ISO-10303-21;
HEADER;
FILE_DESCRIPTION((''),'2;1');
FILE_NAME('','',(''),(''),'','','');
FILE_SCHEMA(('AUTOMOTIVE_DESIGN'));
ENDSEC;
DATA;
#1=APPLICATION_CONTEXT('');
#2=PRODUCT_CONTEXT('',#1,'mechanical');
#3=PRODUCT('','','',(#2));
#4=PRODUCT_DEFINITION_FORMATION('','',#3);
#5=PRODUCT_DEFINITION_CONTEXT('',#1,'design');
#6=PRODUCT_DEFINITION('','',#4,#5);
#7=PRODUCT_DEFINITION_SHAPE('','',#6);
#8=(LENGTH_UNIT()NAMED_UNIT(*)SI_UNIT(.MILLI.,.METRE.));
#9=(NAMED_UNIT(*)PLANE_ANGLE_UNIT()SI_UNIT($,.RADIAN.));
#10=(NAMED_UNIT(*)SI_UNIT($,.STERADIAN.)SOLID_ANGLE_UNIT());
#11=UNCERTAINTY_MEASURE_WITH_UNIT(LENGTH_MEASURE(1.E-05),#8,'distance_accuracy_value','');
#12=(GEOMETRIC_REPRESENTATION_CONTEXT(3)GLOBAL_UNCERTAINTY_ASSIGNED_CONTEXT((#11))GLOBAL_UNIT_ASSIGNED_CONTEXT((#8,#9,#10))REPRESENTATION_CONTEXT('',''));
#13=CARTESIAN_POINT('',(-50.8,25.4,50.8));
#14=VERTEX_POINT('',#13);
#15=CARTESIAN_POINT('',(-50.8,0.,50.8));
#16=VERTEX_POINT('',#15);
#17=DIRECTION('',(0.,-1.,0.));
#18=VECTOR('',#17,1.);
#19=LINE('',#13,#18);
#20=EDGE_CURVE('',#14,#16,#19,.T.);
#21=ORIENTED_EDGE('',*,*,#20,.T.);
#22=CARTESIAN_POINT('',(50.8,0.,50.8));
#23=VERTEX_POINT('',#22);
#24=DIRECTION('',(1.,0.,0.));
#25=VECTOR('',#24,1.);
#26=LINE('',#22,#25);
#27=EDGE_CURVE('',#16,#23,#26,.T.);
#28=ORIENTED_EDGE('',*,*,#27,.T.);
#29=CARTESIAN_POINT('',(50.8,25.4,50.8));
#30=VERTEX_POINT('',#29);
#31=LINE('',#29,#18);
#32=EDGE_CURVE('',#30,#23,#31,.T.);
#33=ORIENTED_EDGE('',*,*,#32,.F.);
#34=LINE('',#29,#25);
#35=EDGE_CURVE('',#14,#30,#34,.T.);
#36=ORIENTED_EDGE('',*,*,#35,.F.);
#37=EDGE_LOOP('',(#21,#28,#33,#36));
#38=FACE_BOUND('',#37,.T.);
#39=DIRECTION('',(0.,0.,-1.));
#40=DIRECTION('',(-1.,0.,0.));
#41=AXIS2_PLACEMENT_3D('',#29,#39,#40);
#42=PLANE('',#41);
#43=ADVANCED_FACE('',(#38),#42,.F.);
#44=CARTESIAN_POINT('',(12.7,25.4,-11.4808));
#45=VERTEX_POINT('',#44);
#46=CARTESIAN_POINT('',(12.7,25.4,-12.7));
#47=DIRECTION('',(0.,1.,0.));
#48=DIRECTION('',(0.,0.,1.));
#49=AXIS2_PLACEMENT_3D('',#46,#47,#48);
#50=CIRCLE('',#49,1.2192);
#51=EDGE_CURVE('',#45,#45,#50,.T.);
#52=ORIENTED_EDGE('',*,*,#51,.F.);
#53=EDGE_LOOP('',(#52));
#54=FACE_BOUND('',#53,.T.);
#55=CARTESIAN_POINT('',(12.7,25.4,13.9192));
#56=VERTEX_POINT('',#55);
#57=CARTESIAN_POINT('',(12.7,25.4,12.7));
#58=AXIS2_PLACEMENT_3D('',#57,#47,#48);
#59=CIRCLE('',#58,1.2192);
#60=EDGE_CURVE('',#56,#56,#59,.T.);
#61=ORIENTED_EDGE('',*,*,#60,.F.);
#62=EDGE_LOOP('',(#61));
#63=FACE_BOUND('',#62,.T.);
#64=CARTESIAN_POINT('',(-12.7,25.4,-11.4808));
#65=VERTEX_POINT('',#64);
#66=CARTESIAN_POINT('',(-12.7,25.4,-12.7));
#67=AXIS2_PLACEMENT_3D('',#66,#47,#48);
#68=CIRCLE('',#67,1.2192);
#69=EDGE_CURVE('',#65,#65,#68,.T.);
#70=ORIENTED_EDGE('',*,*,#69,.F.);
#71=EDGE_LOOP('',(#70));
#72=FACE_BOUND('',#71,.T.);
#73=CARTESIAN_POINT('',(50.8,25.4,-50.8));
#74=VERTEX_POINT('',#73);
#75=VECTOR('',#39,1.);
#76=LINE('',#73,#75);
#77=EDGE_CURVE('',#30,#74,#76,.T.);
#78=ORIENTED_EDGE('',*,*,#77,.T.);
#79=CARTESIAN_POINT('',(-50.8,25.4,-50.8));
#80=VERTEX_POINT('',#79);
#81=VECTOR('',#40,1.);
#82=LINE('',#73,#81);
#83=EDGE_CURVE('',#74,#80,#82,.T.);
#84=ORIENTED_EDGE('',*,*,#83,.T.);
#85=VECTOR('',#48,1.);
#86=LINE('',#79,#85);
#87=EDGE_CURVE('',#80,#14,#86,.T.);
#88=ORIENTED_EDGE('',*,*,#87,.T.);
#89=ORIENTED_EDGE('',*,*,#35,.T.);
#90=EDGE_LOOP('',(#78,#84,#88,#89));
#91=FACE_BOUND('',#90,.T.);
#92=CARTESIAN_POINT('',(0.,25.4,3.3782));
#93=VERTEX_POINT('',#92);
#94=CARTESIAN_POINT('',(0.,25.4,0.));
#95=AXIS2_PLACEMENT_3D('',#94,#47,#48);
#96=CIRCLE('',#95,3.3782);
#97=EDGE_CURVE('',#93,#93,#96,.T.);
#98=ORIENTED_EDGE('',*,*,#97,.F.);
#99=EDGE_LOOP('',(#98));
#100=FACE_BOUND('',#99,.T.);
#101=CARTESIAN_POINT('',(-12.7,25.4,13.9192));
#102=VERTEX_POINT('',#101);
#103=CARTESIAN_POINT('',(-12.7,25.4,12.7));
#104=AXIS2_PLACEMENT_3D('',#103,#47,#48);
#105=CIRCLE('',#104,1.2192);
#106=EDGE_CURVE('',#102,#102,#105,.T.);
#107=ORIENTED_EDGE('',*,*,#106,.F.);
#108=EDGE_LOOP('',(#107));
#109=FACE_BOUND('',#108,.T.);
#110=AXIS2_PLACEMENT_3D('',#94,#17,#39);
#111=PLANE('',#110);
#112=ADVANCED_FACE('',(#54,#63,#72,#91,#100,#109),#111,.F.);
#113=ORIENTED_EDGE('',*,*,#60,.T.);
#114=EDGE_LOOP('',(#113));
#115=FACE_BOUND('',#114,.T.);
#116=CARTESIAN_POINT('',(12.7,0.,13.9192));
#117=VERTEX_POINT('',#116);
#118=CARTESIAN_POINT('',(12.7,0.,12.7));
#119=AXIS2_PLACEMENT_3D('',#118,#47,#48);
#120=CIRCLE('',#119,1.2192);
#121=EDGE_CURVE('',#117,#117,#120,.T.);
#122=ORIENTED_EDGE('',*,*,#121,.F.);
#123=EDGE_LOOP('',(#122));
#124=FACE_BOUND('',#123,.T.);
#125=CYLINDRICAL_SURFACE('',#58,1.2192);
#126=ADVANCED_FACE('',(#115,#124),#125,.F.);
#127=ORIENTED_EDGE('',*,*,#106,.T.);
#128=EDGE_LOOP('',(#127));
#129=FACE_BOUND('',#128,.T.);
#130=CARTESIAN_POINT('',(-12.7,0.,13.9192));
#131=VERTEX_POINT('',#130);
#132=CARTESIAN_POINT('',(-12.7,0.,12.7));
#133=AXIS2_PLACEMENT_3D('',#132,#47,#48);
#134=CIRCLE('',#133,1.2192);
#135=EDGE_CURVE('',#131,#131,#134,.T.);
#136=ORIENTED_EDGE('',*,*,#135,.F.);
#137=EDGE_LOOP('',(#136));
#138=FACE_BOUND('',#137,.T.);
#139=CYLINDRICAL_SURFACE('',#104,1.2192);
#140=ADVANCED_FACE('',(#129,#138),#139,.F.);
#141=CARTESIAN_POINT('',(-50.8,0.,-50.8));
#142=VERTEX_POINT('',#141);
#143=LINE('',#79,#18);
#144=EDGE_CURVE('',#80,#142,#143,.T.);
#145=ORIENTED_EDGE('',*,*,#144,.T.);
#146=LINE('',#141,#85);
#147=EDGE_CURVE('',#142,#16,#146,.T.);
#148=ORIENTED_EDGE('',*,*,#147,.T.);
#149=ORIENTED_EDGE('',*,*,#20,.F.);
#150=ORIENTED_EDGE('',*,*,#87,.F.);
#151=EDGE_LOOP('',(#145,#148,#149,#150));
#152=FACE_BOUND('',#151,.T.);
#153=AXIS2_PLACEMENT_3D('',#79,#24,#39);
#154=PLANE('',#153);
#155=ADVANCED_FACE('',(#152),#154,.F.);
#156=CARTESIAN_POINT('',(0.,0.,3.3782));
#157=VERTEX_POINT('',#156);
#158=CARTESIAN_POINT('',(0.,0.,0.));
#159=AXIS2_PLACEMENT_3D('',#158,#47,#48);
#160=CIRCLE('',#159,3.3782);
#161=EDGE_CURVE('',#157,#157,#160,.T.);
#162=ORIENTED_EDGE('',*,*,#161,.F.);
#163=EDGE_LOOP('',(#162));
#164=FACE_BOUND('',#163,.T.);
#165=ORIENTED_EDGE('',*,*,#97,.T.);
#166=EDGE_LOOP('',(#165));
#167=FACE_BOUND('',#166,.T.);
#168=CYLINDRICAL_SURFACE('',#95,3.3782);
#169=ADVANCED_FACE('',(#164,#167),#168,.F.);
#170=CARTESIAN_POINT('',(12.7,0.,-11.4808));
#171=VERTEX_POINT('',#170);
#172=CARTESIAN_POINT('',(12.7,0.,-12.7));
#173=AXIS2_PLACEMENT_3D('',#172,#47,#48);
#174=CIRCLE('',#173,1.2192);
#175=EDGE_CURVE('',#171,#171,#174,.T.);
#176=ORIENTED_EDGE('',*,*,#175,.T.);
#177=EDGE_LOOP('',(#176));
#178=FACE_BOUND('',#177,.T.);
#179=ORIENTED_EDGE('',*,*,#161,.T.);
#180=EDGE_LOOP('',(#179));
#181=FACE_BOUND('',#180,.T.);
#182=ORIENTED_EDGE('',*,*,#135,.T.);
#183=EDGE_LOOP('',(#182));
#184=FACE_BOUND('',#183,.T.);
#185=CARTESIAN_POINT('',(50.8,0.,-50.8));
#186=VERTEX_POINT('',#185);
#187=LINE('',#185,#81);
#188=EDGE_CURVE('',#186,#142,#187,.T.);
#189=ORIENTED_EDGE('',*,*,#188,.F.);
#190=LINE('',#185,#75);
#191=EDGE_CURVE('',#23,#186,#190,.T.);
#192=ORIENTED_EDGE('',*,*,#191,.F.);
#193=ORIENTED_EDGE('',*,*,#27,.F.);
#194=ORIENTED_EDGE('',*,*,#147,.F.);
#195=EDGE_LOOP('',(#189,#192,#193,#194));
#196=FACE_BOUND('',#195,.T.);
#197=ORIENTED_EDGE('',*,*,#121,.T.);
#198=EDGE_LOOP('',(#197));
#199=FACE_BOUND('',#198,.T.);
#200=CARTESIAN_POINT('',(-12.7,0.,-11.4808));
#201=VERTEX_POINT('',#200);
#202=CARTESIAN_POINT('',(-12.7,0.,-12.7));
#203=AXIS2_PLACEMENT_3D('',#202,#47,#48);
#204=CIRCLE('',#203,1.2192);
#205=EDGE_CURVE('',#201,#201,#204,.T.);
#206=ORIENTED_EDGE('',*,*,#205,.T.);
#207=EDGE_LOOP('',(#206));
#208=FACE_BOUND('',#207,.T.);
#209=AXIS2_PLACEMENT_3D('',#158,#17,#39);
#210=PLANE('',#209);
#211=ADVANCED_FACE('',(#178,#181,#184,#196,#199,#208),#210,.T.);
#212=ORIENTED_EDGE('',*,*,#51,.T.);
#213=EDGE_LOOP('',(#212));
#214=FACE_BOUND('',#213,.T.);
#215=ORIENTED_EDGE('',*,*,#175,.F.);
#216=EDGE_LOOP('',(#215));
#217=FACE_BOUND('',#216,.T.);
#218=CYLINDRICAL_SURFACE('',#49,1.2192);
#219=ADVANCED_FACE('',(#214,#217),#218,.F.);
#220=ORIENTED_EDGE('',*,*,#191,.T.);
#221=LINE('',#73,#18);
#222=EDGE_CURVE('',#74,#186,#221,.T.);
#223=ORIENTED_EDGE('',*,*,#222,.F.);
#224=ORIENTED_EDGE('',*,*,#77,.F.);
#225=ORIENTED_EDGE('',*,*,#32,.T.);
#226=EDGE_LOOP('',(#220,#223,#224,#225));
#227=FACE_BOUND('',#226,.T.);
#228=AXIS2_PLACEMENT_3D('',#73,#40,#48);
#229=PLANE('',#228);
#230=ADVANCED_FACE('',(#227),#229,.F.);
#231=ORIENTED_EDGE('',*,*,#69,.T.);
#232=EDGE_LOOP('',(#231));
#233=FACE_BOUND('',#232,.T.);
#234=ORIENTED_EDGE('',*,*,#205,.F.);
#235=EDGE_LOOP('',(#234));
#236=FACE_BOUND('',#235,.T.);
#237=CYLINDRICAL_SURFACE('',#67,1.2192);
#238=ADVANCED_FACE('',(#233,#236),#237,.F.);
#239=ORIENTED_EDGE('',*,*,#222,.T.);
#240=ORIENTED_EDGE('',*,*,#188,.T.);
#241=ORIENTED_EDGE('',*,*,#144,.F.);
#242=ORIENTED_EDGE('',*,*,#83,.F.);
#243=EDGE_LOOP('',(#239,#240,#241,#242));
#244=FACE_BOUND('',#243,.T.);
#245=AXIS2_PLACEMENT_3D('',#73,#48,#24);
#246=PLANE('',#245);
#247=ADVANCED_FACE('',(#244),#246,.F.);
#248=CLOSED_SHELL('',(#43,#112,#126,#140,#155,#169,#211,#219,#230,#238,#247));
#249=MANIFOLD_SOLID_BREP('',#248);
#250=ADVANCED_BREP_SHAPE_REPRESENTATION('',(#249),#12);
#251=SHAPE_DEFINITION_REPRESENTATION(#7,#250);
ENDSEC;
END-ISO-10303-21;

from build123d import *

# Parameters (mm, degrees)
SKETCH1_W               = 101.6
SKETCH1_H               = 101.6
BOSS_EXTRUDE1_DEPTH     = 25.4
F_1_4_CLEARANCE_HOLE1_D = 6.7564
F_2_CLEARANCE_HOLE1_D   = 2.4384
F_2_CLEARANCE_HOLE2_D   = 2.4384


with BuildPart() as part:
    # Sketch1 → Boss-Extrude1 (new body)
    with BuildSketch(Plane(origin=(0, 0, 0), x_dir=(1, 0, 0), z_dir=(0, 1, 0))):
        Rectangle(SKETCH1_W, SKETCH1_H)
    extrude(amount=BOSS_EXTRUDE1_DEPTH)

    # 1/4 Clearance Hole1 (through all)
    with Locations(Plane(origin=(0, 25.4, 0), x_dir=(1, 0, 0), z_dir=(0, 1, 0))):
        with Locations((0, 0)):
            Hole(F_1_4_CLEARANCE_HOLE1_D / 2)

    # #2 Clearance Hole1 (through all)
    with Locations(Plane(origin=(0, 25.4, 0), x_dir=(1, 0, 0), z_dir=(0, 1, 0))):
        with Locations((-12.7, 12.7), (0, 0)):
            Hole(F_2_CLEARANCE_HOLE1_D / 2)

    # #2 Clearance Hole2 (through all)
    with Locations(Plane(origin=(0, 25.4, 0), x_dir=(1, 0, 0), z_dir=(0, 1, 0))):
        with Locations((12.7, 12.7), (-12.7, -12.7), (12.7, -12.7)):
            Hole(F_2_CLEARANCE_HOLE2_D / 2)


solid = part.part
